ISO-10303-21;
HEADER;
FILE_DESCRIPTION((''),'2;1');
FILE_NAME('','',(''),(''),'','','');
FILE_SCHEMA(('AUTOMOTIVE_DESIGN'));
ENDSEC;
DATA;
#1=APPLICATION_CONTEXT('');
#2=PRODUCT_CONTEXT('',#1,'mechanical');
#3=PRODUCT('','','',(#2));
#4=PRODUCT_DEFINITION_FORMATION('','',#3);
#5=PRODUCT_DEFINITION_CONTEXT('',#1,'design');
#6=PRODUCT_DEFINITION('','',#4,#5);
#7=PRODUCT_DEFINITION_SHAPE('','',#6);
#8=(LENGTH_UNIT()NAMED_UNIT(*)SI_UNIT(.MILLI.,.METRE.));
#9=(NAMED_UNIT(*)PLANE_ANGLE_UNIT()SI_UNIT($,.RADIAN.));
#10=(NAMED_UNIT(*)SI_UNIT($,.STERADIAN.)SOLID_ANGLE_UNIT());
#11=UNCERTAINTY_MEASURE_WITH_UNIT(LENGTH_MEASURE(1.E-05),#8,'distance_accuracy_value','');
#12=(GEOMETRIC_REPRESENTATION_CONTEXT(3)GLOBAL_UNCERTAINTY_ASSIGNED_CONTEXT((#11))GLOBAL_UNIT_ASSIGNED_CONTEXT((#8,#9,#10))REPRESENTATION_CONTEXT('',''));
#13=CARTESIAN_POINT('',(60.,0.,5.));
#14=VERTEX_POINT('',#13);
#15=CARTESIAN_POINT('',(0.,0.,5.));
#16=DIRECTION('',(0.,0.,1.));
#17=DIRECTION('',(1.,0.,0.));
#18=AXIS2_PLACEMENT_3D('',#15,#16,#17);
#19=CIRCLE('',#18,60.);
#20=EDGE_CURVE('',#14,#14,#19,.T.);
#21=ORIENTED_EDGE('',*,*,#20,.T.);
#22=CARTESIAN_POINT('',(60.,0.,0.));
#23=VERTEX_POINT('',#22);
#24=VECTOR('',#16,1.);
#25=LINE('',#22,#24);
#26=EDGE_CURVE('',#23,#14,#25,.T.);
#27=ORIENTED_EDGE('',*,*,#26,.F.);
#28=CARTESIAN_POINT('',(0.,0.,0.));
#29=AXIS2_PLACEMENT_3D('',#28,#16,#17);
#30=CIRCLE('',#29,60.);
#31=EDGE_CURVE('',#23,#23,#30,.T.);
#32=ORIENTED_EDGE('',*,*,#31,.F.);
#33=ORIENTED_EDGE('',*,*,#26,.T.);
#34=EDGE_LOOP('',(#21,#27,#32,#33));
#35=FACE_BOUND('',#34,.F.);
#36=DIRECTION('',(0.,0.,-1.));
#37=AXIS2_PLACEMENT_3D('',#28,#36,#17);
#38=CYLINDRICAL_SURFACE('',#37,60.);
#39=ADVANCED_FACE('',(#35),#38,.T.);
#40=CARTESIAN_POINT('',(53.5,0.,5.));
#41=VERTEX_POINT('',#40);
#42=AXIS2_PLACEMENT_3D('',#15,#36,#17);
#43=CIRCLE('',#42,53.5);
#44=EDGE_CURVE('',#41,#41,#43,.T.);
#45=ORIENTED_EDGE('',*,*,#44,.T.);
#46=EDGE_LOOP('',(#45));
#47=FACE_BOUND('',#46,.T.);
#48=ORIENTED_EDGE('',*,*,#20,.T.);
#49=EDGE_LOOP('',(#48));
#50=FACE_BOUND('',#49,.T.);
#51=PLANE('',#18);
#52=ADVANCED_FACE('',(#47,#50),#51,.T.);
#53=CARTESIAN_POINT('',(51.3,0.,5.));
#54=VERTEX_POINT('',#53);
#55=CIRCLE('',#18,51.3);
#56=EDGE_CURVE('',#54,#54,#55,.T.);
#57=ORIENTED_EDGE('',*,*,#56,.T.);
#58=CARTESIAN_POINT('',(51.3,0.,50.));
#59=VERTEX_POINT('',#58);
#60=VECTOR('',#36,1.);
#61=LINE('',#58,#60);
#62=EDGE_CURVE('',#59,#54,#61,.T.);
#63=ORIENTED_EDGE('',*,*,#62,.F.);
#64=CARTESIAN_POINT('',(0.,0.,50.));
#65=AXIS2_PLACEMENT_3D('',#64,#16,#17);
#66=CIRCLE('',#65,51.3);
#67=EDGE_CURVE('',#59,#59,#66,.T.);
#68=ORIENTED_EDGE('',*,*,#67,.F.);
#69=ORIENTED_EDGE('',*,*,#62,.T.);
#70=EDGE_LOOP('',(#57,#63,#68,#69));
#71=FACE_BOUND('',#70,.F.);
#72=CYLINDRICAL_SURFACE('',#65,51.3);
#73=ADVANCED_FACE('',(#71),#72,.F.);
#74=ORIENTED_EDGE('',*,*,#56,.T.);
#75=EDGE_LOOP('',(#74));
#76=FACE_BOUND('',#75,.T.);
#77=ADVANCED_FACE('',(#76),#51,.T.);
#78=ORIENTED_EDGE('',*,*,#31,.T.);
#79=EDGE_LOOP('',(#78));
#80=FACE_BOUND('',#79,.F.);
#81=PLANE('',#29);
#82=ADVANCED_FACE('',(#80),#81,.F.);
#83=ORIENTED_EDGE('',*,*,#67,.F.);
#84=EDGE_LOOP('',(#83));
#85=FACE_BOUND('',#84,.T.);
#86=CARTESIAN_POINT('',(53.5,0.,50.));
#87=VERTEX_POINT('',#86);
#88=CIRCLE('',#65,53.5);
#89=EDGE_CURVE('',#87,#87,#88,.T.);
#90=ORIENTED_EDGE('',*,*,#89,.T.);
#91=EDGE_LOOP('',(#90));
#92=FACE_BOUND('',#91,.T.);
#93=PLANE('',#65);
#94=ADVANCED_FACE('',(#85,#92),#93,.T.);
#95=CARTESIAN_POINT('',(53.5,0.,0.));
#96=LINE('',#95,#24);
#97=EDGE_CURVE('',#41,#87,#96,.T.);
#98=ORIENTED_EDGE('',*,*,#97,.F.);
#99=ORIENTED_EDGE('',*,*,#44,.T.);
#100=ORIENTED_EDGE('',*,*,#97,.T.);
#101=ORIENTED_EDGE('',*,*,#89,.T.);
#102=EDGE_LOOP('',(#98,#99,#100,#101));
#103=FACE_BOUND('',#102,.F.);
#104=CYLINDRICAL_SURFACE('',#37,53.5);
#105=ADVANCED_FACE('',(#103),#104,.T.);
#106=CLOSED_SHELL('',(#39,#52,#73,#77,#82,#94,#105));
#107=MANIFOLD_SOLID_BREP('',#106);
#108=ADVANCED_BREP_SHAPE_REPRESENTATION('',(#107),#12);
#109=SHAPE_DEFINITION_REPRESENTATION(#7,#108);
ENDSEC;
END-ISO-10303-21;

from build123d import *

# Parameters (mm, degrees)
CYLINDER_R        = 60
CYLINDER_DEPTH    = 5
CYLINDER001_R     = 53.5
CYLINDER001_DEPTH = 50
SKETCH001_R       = 51.3
POCKET_DEPTH      = 45


with BuildPart() as part:
    # Cylinder → Cylinder (join)
    with BuildSketch(Plane.XY):
        Circle(CYLINDER_R)
    extrude(amount=CYLINDER_DEPTH)

    # Cylinder001 → Cylinder001 (join)
    with BuildSketch(Plane.XY):
        Circle(CYLINDER001_R)
    extrude(amount=CYLINDER001_DEPTH)

    # Sketch001 (on Face6 of Cylinder001) → Pocket (cut)
    with BuildSketch(Plane.XY.offset(50)):
        Circle(SKETCH001_R)
    extrude(amount=-POCKET_DEPTH, mode=Mode.SUBTRACT)


solid = part.part
